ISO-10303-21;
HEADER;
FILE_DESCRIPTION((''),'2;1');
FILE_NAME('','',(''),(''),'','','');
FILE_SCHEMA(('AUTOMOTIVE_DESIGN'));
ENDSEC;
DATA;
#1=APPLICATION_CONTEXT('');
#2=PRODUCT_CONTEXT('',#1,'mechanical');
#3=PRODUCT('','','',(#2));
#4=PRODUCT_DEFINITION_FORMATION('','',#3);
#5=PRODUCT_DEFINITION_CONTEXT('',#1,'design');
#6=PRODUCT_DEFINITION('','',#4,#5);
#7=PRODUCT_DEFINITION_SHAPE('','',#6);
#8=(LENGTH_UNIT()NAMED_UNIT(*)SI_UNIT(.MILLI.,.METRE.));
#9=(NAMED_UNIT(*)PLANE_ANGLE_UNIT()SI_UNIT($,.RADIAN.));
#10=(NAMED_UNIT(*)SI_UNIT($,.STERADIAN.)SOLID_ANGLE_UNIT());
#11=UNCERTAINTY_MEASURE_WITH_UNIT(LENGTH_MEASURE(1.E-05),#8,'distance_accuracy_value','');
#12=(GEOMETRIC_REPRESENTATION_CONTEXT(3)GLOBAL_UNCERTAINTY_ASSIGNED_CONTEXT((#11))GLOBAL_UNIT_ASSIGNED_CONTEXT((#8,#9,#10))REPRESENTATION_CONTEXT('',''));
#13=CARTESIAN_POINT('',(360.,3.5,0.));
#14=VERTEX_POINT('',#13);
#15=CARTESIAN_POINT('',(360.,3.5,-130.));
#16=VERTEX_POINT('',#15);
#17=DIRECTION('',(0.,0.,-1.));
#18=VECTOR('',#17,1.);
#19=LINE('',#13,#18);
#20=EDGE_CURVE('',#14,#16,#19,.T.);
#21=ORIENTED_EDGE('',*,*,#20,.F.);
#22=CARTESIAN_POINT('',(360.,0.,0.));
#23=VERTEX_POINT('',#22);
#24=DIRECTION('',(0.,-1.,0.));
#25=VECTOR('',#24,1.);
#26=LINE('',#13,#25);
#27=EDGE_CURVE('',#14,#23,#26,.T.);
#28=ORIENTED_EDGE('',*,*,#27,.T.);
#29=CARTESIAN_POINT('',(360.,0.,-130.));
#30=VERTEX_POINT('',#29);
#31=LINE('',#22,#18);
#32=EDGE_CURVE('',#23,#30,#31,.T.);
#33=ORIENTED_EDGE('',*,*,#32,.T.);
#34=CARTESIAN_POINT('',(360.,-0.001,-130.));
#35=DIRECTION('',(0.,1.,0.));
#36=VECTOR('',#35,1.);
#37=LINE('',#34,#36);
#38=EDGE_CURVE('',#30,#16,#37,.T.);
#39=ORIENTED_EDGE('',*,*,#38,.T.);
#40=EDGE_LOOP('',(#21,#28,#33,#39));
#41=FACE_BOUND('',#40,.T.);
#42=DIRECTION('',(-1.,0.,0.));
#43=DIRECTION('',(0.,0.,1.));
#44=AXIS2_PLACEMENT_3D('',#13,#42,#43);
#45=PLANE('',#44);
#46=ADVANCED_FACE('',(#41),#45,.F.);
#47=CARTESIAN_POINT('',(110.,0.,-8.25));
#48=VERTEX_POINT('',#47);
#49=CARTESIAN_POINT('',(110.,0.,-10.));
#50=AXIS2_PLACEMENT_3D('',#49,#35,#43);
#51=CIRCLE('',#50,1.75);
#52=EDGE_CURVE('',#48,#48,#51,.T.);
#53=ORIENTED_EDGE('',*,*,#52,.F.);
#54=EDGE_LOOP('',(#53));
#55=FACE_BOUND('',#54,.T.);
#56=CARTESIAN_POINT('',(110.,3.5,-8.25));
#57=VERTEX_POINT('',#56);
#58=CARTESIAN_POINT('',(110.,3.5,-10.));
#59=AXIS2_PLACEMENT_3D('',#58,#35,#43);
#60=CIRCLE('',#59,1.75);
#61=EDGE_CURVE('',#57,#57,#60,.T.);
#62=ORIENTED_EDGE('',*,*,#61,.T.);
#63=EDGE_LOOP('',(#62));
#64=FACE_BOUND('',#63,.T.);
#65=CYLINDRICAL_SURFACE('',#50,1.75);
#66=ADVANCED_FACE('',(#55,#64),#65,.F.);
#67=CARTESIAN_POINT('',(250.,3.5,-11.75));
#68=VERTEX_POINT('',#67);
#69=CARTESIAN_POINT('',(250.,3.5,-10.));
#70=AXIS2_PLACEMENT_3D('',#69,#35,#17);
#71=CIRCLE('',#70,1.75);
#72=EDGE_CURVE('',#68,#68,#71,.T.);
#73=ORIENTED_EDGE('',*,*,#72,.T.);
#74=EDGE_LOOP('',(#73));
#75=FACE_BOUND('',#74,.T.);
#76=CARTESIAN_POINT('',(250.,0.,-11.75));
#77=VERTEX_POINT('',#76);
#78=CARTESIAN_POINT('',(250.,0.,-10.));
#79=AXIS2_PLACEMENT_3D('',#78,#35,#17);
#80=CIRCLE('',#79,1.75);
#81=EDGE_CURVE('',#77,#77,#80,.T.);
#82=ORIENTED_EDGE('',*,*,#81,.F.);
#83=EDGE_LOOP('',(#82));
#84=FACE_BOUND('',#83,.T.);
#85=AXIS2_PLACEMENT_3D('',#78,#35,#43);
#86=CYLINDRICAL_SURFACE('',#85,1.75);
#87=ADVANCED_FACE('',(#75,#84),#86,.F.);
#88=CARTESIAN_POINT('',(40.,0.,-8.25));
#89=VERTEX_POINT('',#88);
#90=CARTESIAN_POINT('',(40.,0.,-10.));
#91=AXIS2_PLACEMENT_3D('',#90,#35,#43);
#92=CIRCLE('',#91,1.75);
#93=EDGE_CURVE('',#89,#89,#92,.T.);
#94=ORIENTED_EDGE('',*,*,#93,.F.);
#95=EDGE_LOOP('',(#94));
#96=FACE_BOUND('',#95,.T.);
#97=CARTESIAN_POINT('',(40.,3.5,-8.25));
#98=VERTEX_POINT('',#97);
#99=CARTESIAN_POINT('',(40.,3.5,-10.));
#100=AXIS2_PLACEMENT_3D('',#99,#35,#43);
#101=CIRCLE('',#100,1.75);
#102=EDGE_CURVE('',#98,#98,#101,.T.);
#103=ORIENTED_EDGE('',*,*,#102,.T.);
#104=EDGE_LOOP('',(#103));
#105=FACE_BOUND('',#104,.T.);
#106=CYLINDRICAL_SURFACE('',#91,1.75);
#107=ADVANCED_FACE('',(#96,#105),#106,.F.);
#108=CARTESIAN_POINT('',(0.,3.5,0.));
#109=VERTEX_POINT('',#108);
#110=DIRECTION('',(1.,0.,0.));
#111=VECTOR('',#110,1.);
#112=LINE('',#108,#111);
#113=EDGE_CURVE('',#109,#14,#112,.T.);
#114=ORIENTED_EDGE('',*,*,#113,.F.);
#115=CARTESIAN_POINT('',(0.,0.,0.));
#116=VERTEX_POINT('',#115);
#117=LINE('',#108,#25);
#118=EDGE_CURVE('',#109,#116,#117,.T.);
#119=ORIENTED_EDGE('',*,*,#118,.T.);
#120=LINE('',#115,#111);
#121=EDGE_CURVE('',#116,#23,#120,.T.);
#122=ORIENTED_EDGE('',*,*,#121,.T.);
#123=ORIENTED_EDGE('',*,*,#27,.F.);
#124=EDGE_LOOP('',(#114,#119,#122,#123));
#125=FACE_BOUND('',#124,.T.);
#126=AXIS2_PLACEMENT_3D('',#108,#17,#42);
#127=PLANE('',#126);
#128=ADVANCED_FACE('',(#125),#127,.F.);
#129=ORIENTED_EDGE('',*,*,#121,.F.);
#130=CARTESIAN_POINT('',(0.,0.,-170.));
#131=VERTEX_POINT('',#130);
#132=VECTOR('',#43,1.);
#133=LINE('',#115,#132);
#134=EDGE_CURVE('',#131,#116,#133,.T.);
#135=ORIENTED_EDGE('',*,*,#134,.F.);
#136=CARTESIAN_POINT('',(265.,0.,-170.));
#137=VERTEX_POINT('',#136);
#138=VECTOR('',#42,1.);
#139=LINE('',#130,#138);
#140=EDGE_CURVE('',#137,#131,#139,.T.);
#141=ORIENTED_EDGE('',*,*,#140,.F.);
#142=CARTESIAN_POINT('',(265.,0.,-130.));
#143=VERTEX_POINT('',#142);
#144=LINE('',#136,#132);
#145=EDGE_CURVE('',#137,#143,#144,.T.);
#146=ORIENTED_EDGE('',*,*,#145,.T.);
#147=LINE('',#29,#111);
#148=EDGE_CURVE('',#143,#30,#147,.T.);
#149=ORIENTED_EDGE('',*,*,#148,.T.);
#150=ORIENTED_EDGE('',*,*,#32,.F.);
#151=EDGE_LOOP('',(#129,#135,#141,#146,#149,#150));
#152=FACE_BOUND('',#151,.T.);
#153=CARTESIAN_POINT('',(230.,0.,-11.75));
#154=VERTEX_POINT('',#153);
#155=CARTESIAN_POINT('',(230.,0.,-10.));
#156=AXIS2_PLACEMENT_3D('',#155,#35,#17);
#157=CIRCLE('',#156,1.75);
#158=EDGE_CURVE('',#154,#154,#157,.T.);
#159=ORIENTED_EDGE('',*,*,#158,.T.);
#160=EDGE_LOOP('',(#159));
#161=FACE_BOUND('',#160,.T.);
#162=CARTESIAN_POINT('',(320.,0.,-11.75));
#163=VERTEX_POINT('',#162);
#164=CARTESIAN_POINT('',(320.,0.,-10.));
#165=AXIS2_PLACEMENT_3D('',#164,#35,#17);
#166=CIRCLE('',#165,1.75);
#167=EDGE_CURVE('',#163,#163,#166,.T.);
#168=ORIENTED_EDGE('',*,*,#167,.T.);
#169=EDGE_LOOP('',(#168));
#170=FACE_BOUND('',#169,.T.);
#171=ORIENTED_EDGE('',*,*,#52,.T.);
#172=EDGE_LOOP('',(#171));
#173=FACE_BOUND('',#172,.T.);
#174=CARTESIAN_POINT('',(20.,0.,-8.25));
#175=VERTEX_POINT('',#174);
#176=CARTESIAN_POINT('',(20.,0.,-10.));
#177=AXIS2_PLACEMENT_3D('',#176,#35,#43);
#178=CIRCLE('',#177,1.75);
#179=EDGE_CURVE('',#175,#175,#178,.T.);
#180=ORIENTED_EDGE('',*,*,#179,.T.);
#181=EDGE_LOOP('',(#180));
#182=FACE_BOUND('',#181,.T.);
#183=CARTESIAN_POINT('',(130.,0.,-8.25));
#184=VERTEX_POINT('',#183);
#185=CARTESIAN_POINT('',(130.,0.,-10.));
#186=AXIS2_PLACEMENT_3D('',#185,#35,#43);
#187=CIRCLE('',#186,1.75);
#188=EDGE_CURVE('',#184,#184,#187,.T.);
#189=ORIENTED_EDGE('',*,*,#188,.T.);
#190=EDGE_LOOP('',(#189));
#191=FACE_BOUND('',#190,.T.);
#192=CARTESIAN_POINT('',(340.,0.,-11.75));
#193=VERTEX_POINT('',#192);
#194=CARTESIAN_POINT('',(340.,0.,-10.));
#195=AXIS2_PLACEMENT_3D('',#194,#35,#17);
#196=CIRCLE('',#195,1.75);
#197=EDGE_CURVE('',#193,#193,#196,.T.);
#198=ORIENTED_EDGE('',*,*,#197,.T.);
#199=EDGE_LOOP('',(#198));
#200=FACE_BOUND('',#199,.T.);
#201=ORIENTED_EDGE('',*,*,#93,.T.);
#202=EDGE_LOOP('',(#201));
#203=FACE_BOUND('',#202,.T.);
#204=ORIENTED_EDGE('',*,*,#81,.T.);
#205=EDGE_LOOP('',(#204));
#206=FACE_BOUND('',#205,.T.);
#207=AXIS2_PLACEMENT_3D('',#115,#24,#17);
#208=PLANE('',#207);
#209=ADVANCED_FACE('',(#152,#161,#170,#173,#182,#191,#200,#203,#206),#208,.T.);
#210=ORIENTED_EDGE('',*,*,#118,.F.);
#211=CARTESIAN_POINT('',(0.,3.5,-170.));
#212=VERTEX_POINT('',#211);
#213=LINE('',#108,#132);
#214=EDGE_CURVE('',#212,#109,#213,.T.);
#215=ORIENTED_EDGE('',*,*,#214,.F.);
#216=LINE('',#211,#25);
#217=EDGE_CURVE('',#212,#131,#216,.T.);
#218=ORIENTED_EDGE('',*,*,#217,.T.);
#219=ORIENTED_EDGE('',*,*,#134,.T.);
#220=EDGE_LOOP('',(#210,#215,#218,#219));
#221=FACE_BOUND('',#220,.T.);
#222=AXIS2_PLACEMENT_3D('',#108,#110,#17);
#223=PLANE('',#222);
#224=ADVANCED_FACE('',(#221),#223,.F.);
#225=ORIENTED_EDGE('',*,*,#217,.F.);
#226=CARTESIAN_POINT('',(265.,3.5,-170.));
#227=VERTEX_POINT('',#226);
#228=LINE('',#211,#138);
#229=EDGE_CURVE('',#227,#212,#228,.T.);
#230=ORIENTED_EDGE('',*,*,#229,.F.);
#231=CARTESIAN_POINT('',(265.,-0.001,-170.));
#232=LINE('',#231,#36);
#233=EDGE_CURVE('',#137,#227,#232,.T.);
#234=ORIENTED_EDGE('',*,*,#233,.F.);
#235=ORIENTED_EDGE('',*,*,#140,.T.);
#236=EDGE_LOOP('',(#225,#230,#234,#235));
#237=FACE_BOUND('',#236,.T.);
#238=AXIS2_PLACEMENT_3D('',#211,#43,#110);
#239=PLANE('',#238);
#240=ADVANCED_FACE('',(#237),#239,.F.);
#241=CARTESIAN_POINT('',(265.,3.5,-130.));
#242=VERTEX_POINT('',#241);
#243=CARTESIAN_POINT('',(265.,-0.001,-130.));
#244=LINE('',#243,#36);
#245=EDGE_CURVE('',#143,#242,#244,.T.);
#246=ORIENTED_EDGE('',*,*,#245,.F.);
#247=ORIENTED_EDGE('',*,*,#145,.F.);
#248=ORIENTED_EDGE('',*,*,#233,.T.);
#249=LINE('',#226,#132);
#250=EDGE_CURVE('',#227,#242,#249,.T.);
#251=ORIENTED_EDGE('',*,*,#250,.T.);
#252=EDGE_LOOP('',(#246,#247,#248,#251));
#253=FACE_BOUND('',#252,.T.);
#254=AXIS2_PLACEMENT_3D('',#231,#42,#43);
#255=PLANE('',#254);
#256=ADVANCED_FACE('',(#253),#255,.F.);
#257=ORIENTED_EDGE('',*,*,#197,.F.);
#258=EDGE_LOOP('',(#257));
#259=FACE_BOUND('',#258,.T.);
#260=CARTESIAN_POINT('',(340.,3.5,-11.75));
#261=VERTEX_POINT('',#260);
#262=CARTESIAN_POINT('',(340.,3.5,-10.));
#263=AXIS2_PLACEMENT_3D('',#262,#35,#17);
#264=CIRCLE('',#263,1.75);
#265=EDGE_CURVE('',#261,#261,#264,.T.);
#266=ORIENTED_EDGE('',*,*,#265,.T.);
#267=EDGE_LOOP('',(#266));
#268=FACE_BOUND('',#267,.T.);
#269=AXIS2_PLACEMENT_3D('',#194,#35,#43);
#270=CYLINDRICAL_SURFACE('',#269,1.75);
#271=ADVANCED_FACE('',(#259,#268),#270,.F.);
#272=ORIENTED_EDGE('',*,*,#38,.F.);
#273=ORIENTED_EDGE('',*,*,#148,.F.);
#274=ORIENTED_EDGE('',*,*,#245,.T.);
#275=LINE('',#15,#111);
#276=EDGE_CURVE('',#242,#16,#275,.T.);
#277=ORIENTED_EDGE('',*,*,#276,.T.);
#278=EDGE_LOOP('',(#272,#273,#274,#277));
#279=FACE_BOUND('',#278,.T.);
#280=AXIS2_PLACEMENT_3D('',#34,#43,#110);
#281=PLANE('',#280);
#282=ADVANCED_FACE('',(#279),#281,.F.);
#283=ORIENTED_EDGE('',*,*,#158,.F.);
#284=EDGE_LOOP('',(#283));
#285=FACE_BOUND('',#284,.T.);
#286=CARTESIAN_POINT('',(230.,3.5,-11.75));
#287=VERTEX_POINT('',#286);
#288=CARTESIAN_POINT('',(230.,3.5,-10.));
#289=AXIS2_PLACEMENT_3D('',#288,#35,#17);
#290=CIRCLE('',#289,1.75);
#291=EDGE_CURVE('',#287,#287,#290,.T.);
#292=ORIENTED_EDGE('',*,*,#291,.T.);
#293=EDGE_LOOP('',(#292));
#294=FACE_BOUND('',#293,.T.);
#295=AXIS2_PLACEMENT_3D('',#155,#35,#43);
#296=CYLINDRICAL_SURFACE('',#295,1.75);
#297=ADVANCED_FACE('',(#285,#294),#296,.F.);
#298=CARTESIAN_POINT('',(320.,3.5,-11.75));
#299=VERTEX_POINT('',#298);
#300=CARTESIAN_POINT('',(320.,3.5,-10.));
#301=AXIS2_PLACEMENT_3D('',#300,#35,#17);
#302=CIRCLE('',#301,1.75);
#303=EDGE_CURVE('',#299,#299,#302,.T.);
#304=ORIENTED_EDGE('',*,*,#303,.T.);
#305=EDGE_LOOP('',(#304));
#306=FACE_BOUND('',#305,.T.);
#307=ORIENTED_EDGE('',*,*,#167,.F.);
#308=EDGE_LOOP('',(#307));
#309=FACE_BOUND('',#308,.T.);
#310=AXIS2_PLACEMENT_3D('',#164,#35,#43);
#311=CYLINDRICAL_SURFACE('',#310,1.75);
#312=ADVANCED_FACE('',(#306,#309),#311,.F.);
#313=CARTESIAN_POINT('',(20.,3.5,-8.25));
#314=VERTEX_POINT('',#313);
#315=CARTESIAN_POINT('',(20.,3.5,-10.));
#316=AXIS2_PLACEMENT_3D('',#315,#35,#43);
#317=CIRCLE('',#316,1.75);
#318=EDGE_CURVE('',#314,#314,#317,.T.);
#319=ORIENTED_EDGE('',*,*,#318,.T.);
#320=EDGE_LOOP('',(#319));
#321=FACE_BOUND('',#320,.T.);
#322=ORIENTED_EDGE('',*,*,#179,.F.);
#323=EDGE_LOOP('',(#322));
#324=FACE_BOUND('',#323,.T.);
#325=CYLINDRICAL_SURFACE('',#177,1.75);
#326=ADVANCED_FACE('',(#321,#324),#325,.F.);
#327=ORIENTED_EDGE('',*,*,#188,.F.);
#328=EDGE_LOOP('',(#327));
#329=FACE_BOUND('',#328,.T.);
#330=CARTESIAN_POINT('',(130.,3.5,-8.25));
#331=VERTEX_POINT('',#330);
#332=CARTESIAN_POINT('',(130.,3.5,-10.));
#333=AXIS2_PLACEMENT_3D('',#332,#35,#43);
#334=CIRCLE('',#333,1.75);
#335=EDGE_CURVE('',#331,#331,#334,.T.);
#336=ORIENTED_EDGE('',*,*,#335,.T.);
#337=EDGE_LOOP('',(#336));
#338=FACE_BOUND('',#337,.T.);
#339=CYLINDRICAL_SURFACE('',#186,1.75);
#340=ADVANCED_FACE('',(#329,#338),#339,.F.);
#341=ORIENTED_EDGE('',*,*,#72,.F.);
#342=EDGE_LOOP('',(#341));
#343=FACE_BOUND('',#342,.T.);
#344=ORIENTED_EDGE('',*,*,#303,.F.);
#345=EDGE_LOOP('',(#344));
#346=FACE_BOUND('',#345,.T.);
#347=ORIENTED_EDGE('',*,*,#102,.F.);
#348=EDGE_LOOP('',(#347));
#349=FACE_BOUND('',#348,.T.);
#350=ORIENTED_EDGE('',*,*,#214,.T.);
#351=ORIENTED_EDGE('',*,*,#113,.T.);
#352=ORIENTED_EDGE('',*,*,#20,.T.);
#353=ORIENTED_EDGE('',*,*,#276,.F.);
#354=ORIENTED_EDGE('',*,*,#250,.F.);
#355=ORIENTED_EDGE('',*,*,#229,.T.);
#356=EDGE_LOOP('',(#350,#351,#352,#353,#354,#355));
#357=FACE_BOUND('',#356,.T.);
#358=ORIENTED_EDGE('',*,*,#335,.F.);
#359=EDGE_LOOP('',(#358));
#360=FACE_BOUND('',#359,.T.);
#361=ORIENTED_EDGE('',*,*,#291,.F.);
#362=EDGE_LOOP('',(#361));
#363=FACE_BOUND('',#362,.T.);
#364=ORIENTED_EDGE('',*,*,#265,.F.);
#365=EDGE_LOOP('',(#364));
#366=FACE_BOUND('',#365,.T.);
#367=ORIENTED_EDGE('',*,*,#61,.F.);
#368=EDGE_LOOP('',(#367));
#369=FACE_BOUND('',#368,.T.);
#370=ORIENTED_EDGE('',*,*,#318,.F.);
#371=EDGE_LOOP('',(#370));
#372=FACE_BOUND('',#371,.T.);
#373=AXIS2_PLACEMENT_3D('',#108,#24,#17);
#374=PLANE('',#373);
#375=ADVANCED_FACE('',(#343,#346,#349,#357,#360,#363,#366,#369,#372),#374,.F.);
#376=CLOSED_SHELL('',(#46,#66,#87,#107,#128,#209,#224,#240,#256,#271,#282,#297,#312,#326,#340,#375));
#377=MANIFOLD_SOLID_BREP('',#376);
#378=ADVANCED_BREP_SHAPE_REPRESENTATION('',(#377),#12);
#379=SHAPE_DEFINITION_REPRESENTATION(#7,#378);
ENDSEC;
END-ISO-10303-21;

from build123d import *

# Parameters (mm, degrees)
SKETCH1_W           = 360
SKETCH1_H           = 170
BOSS_EXTRUDE1_DEPTH = 3.5
SKETCH2_R           = 1.75
CUT_EXTRUDE1_DEPTH  = 3.5
CUT_EXTRUDE2_REACH  = 5.5
SKETCH3_W           = 95
SKETCH3_H           = 40


with BuildPart() as part:
    # Sketch1 → Boss-Extrude1 (new body)
    with BuildSketch(Plane(origin=(0, 0, 0), x_dir=(1, 0, 0), z_dir=(0, 1, 0))):
        with Locations((180, 85)):
            Rectangle(SKETCH1_W, SKETCH1_H)
    extrude(amount=BOSS_EXTRUDE1_DEPTH)

    # Sketch2 → Cut-Extrude1 (cut)
    with BuildSketch(Plane(origin=(0, 3.5, 0), x_dir=(1, 0, 0), z_dir=(0, 1, 0))):
        with Locations((20, 10)):
            Circle(SKETCH2_R)
        with Locations((40, 10)):
            Circle(SKETCH2_R)
        with Locations((110, 10)):
            Circle(SKETCH2_R)
        with Locations((130, 10)):
            Circle(SKETCH2_R)
        with Locations((230, 10)):
            Circle(SKETCH2_R)
        with Locations((250, 10)):
            Circle(SKETCH2_R)
        with Locations((320, 10)):
            Circle(SKETCH2_R)
        with Locations((340, 10)):
            Circle(SKETCH2_R)
    extrude(amount=-CUT_EXTRUDE1_DEPTH, mode=Mode.SUBTRACT)

    # Sketch3 → Cut-Extrude2 (cut, up to next)
    with BuildSketch(Plane(origin=(0, 3.5, 0), x_dir=(1, 0, 0), z_dir=(0, 1, 0)), mode=Mode.PRIVATE) as cut_extrude2_sk1:
        with Locations((312.5, 150)):
            Rectangle(SKETCH3_W, SKETCH3_H)
    cut_extrude2_tool1 = extrude(cut_extrude2_sk1.sketch, amount=-CUT_EXTRUDE2_REACH, mode=Mode.PRIVATE) & part.part
    add(cut_extrude2_tool1.solids().sort_by_distance((312.5, 3.5, -150))[0], mode=Mode.SUBTRACT)


solid = part.part
